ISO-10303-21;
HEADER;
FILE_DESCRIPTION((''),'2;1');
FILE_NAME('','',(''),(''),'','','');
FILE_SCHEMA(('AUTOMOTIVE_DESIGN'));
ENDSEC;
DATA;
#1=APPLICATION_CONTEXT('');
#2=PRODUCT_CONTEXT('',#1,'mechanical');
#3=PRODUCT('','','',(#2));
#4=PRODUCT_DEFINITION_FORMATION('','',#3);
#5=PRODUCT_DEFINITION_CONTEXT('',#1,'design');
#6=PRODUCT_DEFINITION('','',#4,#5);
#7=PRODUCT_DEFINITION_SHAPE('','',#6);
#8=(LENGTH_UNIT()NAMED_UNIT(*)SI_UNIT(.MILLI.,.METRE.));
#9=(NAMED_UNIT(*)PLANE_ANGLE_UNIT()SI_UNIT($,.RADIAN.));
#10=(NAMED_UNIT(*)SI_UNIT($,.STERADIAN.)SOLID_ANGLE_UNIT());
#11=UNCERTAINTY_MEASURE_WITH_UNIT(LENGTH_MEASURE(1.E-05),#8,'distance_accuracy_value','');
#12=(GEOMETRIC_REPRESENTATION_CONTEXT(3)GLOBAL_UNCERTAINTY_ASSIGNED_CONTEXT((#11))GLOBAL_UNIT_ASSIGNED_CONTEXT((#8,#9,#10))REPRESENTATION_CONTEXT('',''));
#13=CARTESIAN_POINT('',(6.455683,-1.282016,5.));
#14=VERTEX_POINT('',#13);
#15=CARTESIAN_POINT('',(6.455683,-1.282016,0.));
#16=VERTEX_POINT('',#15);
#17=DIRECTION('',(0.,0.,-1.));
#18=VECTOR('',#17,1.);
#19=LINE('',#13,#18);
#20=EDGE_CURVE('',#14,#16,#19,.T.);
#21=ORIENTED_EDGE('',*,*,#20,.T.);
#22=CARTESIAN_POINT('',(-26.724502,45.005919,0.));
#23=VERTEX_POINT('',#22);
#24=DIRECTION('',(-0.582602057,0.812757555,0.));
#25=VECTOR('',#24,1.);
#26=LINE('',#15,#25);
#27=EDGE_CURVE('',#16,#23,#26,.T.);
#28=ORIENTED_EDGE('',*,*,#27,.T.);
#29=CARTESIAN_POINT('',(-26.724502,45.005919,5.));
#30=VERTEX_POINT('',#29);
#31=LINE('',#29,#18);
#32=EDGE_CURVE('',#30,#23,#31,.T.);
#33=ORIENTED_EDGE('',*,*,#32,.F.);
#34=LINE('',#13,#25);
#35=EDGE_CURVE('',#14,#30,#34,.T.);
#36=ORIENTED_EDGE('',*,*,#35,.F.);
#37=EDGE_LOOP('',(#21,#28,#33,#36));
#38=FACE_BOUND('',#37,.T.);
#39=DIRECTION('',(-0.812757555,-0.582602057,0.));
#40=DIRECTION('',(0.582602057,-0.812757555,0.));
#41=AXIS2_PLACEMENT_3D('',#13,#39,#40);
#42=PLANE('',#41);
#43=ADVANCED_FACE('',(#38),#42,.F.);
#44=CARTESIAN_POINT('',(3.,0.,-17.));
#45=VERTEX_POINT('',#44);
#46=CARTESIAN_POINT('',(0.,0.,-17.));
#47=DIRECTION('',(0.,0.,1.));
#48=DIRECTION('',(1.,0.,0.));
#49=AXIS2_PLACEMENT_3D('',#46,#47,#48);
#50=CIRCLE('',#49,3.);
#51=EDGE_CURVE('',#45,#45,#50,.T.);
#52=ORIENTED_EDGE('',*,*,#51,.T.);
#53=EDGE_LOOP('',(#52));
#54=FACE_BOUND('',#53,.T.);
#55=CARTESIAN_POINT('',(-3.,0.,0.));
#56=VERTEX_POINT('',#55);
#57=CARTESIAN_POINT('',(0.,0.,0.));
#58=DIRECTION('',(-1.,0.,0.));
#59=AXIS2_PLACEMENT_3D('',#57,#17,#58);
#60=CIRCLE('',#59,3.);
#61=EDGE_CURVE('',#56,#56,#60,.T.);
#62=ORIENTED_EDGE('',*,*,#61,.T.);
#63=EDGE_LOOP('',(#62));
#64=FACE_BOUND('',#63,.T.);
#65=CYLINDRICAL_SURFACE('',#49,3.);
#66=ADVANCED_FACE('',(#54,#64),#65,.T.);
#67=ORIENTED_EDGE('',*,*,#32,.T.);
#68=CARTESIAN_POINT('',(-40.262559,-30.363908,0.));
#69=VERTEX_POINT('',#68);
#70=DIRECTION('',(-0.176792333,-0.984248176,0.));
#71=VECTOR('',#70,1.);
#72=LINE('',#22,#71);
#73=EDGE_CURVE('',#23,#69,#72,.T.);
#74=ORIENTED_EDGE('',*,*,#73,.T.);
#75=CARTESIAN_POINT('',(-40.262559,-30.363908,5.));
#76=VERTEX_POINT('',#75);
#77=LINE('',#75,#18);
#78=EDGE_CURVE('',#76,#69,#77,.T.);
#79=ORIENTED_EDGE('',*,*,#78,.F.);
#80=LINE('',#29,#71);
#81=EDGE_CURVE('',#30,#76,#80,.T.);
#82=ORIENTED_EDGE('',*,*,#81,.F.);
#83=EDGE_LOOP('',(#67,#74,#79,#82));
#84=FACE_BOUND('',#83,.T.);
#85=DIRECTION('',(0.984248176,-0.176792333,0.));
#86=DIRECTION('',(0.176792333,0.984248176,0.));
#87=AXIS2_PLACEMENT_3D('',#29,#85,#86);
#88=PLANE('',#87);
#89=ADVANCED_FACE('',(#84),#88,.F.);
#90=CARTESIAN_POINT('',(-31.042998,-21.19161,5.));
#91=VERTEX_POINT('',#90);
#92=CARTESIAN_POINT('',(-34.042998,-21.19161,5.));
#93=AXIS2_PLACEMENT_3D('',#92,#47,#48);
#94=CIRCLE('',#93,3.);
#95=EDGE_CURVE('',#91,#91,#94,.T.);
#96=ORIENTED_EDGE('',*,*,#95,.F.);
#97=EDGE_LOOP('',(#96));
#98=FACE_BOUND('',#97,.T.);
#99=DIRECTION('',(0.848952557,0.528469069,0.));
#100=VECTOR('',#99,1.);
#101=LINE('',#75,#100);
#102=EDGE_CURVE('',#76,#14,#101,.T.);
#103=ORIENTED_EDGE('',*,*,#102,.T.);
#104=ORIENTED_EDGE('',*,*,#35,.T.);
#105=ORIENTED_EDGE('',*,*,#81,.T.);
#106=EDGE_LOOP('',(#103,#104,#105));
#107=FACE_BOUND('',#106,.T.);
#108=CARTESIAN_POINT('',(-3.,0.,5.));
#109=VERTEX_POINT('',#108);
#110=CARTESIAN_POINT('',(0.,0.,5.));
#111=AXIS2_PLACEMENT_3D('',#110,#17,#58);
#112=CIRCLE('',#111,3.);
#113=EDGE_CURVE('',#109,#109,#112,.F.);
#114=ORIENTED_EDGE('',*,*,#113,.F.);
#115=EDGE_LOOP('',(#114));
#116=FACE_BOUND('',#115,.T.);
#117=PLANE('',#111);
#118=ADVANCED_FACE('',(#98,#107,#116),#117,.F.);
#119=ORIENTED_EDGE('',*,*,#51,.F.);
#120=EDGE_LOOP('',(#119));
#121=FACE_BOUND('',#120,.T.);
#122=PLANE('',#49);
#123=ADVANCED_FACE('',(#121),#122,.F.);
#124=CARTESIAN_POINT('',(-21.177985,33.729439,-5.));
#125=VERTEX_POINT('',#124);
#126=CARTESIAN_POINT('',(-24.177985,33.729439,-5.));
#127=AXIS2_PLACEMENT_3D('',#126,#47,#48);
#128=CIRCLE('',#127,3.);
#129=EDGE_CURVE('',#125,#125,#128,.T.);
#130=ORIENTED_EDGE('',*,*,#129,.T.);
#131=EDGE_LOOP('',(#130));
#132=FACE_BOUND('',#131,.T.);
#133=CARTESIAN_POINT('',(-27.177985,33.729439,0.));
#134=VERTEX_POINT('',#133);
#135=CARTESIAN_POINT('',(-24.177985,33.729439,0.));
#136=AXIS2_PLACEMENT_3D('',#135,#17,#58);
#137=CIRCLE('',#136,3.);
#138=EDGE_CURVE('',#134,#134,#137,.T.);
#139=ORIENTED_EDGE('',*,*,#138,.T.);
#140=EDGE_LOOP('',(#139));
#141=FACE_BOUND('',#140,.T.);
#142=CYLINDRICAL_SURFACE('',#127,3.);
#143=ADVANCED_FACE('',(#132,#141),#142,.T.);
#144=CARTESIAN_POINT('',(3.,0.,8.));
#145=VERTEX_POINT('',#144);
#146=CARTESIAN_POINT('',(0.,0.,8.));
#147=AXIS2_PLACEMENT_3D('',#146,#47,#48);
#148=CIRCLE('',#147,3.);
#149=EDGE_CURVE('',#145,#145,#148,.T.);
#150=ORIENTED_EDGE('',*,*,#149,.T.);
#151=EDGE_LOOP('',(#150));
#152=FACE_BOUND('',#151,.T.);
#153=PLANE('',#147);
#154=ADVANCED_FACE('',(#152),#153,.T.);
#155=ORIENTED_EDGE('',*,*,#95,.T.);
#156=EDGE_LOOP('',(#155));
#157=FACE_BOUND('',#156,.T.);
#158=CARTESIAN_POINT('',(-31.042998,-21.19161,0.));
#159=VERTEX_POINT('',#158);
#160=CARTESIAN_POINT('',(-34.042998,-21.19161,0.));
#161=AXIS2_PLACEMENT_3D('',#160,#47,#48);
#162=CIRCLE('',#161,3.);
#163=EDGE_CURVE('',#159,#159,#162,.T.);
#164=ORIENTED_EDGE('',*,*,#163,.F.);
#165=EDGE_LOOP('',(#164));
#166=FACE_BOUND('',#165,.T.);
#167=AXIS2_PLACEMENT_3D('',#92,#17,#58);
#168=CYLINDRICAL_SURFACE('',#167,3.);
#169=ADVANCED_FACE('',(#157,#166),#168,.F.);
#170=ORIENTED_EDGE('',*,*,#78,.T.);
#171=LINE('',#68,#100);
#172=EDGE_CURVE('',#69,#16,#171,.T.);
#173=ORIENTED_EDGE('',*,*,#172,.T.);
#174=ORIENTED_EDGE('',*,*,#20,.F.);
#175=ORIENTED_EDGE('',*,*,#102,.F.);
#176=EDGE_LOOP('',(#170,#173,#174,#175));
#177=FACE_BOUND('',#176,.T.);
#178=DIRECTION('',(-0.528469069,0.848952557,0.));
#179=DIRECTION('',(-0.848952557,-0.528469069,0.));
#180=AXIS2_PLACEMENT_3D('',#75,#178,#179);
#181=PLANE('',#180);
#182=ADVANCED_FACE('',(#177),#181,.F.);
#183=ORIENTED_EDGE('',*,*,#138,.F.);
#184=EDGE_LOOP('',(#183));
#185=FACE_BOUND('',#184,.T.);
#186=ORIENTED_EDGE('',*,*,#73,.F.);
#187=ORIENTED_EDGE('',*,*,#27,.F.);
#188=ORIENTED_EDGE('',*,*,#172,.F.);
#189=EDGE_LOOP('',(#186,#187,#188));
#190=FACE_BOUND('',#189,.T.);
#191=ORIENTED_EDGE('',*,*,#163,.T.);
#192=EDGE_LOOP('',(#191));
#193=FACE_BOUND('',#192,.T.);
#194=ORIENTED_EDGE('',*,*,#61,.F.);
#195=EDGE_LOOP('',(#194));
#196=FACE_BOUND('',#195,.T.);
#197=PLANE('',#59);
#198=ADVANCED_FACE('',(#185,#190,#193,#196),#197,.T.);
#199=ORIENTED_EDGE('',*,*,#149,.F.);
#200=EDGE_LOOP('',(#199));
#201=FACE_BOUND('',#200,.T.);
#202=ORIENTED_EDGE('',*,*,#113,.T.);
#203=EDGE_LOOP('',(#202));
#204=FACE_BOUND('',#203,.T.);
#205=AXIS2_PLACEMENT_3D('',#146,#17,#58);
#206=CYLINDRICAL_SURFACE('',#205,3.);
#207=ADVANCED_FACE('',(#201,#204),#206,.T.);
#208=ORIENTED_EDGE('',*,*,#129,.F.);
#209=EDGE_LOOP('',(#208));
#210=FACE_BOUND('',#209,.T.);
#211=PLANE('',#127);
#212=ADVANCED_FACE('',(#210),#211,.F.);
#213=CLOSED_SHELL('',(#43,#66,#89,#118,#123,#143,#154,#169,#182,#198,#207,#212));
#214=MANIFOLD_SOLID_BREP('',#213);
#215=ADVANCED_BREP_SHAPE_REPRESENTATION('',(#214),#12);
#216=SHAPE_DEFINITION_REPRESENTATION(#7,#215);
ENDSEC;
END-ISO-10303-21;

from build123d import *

# Parameters (mm, degrees)
SKETCH1_R           = 3
BOSS_EXTRUDE1_DEPTH = 5
BOSS_EXTRUDE2_START = -10
SKETCH2_R           = 3
BOSS_EXTRUDE2_DEPTH = 10
BOSS_EXTRUDE3_START = -22
SKETCH3_R           = 3
BOSS_EXTRUDE3_DEPTH = 22
SKETCH4_R           = 3
BOSS_EXTRUDE4_DEPTH = 3


with BuildPart() as part:
    # Sketch1 → Boss-Extrude1 (new body)
    with BuildSketch(Plane.XY):
        Polygon((-26.724502293, 45.005919314), (-40.262558922, -30.363907626), (6.455683288, -1.282016359), align=None)
        with Locations((-24.177985347, 33.729438545)):
            Circle(SKETCH1_R, mode=Mode.SUBTRACT)
        Circle(SKETCH1_R, mode=Mode.SUBTRACT)
        with Locations((-34.042997525, -21.191609649)):
            Circle(SKETCH1_R, mode=Mode.SUBTRACT)
    extrude(amount=BOSS_EXTRUDE1_DEPTH)

    # Sketch2 → Boss-Extrude2 (add)
    with BuildSketch(Plane.XY.offset(5).offset(BOSS_EXTRUDE2_START)):
        with Locations((-24.177985347, 33.729438545)):
            Circle(SKETCH2_R)
    extrude(amount=BOSS_EXTRUDE2_DEPTH)

    # Sketch3 → Boss-Extrude3 (add)
    with BuildSketch(Plane.XY.offset(5).offset(BOSS_EXTRUDE3_START)):
        Circle(SKETCH3_R)
    extrude(amount=BOSS_EXTRUDE3_DEPTH)

    # Sketch4 → Boss-Extrude4 (add)
    with BuildSketch(Plane.XY.offset(5)):
        Circle(SKETCH4_R)
    extrude(amount=BOSS_EXTRUDE4_DEPTH)


solid = part.part
